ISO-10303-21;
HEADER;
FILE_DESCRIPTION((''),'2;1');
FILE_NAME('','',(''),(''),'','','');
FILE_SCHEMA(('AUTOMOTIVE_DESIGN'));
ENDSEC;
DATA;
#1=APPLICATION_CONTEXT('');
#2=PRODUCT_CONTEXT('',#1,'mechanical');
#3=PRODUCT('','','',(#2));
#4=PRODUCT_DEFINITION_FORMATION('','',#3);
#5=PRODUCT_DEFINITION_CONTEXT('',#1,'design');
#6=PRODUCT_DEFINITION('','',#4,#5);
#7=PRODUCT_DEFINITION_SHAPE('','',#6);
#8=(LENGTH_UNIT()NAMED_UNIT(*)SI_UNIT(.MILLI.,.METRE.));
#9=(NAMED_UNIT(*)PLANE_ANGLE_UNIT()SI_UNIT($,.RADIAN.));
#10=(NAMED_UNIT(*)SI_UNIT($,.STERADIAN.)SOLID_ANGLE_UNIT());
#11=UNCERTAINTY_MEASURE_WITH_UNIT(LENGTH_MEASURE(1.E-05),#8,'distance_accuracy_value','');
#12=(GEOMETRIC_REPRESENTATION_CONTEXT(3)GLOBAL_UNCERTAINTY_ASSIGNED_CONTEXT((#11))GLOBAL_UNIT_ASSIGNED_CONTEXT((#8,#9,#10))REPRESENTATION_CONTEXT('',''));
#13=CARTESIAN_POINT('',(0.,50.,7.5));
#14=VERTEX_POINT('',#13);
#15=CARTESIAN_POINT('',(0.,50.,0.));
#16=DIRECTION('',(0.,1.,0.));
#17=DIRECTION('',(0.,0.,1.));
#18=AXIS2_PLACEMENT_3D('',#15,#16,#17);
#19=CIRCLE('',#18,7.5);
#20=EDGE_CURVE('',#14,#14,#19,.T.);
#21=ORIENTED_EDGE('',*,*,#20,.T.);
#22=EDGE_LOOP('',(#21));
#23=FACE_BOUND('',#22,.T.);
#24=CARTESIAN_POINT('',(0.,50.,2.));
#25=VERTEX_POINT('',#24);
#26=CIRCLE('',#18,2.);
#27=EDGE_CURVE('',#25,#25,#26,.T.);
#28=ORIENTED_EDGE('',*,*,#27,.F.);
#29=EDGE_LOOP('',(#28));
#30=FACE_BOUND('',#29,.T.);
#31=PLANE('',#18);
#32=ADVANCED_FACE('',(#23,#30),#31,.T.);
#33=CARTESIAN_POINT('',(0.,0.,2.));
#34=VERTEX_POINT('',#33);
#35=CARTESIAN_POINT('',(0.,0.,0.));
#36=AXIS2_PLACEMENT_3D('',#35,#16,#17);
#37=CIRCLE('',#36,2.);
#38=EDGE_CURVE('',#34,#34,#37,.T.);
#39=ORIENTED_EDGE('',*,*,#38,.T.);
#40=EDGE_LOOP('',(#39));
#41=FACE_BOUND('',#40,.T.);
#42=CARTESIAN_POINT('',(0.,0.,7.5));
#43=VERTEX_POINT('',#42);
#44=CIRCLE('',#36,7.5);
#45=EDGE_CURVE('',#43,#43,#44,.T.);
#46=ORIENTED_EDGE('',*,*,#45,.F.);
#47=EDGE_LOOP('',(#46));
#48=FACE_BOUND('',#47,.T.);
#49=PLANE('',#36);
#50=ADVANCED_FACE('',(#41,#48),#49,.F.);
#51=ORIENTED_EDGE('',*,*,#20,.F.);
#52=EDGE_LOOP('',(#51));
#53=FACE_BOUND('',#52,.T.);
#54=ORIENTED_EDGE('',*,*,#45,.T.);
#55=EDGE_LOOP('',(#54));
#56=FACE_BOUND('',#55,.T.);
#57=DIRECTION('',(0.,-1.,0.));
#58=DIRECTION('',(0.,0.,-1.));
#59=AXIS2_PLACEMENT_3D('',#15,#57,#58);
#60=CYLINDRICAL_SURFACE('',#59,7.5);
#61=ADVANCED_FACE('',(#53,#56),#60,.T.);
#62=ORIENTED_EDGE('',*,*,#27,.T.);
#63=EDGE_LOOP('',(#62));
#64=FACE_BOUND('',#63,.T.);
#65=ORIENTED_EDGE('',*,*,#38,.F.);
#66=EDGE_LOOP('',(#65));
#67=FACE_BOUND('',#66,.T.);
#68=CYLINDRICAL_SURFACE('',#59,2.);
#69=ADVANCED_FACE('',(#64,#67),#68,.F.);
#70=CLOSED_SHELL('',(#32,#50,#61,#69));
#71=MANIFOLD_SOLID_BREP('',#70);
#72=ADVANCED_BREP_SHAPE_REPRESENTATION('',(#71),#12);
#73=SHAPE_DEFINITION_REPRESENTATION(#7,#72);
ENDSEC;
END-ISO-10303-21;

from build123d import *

# Parameters (mm, degrees)
SKETCH_1_R      = 7.5
SKETCH_1_R_2    = 2
EXTRUDE_1_DEPTH = 50


with BuildPart() as part:
    # ｽｹｯﾁ1 → ﾎﾞｽ - 押し出し1 (new body)
    with BuildSketch(Plane(origin=(0, 0, 0), x_dir=(1, 0, 0), z_dir=(0, 1, 0))):
        with Locations(Location((0, 0, 0), (0, 0, 270))):
            Circle(SKETCH_1_R)
        with Locations(Location((0, 0, 0), (0, 0, 270))):
            Circle(SKETCH_1_R_2, mode=Mode.SUBTRACT)
    extrude(amount=EXTRUDE_1_DEPTH)


solid = part.part
